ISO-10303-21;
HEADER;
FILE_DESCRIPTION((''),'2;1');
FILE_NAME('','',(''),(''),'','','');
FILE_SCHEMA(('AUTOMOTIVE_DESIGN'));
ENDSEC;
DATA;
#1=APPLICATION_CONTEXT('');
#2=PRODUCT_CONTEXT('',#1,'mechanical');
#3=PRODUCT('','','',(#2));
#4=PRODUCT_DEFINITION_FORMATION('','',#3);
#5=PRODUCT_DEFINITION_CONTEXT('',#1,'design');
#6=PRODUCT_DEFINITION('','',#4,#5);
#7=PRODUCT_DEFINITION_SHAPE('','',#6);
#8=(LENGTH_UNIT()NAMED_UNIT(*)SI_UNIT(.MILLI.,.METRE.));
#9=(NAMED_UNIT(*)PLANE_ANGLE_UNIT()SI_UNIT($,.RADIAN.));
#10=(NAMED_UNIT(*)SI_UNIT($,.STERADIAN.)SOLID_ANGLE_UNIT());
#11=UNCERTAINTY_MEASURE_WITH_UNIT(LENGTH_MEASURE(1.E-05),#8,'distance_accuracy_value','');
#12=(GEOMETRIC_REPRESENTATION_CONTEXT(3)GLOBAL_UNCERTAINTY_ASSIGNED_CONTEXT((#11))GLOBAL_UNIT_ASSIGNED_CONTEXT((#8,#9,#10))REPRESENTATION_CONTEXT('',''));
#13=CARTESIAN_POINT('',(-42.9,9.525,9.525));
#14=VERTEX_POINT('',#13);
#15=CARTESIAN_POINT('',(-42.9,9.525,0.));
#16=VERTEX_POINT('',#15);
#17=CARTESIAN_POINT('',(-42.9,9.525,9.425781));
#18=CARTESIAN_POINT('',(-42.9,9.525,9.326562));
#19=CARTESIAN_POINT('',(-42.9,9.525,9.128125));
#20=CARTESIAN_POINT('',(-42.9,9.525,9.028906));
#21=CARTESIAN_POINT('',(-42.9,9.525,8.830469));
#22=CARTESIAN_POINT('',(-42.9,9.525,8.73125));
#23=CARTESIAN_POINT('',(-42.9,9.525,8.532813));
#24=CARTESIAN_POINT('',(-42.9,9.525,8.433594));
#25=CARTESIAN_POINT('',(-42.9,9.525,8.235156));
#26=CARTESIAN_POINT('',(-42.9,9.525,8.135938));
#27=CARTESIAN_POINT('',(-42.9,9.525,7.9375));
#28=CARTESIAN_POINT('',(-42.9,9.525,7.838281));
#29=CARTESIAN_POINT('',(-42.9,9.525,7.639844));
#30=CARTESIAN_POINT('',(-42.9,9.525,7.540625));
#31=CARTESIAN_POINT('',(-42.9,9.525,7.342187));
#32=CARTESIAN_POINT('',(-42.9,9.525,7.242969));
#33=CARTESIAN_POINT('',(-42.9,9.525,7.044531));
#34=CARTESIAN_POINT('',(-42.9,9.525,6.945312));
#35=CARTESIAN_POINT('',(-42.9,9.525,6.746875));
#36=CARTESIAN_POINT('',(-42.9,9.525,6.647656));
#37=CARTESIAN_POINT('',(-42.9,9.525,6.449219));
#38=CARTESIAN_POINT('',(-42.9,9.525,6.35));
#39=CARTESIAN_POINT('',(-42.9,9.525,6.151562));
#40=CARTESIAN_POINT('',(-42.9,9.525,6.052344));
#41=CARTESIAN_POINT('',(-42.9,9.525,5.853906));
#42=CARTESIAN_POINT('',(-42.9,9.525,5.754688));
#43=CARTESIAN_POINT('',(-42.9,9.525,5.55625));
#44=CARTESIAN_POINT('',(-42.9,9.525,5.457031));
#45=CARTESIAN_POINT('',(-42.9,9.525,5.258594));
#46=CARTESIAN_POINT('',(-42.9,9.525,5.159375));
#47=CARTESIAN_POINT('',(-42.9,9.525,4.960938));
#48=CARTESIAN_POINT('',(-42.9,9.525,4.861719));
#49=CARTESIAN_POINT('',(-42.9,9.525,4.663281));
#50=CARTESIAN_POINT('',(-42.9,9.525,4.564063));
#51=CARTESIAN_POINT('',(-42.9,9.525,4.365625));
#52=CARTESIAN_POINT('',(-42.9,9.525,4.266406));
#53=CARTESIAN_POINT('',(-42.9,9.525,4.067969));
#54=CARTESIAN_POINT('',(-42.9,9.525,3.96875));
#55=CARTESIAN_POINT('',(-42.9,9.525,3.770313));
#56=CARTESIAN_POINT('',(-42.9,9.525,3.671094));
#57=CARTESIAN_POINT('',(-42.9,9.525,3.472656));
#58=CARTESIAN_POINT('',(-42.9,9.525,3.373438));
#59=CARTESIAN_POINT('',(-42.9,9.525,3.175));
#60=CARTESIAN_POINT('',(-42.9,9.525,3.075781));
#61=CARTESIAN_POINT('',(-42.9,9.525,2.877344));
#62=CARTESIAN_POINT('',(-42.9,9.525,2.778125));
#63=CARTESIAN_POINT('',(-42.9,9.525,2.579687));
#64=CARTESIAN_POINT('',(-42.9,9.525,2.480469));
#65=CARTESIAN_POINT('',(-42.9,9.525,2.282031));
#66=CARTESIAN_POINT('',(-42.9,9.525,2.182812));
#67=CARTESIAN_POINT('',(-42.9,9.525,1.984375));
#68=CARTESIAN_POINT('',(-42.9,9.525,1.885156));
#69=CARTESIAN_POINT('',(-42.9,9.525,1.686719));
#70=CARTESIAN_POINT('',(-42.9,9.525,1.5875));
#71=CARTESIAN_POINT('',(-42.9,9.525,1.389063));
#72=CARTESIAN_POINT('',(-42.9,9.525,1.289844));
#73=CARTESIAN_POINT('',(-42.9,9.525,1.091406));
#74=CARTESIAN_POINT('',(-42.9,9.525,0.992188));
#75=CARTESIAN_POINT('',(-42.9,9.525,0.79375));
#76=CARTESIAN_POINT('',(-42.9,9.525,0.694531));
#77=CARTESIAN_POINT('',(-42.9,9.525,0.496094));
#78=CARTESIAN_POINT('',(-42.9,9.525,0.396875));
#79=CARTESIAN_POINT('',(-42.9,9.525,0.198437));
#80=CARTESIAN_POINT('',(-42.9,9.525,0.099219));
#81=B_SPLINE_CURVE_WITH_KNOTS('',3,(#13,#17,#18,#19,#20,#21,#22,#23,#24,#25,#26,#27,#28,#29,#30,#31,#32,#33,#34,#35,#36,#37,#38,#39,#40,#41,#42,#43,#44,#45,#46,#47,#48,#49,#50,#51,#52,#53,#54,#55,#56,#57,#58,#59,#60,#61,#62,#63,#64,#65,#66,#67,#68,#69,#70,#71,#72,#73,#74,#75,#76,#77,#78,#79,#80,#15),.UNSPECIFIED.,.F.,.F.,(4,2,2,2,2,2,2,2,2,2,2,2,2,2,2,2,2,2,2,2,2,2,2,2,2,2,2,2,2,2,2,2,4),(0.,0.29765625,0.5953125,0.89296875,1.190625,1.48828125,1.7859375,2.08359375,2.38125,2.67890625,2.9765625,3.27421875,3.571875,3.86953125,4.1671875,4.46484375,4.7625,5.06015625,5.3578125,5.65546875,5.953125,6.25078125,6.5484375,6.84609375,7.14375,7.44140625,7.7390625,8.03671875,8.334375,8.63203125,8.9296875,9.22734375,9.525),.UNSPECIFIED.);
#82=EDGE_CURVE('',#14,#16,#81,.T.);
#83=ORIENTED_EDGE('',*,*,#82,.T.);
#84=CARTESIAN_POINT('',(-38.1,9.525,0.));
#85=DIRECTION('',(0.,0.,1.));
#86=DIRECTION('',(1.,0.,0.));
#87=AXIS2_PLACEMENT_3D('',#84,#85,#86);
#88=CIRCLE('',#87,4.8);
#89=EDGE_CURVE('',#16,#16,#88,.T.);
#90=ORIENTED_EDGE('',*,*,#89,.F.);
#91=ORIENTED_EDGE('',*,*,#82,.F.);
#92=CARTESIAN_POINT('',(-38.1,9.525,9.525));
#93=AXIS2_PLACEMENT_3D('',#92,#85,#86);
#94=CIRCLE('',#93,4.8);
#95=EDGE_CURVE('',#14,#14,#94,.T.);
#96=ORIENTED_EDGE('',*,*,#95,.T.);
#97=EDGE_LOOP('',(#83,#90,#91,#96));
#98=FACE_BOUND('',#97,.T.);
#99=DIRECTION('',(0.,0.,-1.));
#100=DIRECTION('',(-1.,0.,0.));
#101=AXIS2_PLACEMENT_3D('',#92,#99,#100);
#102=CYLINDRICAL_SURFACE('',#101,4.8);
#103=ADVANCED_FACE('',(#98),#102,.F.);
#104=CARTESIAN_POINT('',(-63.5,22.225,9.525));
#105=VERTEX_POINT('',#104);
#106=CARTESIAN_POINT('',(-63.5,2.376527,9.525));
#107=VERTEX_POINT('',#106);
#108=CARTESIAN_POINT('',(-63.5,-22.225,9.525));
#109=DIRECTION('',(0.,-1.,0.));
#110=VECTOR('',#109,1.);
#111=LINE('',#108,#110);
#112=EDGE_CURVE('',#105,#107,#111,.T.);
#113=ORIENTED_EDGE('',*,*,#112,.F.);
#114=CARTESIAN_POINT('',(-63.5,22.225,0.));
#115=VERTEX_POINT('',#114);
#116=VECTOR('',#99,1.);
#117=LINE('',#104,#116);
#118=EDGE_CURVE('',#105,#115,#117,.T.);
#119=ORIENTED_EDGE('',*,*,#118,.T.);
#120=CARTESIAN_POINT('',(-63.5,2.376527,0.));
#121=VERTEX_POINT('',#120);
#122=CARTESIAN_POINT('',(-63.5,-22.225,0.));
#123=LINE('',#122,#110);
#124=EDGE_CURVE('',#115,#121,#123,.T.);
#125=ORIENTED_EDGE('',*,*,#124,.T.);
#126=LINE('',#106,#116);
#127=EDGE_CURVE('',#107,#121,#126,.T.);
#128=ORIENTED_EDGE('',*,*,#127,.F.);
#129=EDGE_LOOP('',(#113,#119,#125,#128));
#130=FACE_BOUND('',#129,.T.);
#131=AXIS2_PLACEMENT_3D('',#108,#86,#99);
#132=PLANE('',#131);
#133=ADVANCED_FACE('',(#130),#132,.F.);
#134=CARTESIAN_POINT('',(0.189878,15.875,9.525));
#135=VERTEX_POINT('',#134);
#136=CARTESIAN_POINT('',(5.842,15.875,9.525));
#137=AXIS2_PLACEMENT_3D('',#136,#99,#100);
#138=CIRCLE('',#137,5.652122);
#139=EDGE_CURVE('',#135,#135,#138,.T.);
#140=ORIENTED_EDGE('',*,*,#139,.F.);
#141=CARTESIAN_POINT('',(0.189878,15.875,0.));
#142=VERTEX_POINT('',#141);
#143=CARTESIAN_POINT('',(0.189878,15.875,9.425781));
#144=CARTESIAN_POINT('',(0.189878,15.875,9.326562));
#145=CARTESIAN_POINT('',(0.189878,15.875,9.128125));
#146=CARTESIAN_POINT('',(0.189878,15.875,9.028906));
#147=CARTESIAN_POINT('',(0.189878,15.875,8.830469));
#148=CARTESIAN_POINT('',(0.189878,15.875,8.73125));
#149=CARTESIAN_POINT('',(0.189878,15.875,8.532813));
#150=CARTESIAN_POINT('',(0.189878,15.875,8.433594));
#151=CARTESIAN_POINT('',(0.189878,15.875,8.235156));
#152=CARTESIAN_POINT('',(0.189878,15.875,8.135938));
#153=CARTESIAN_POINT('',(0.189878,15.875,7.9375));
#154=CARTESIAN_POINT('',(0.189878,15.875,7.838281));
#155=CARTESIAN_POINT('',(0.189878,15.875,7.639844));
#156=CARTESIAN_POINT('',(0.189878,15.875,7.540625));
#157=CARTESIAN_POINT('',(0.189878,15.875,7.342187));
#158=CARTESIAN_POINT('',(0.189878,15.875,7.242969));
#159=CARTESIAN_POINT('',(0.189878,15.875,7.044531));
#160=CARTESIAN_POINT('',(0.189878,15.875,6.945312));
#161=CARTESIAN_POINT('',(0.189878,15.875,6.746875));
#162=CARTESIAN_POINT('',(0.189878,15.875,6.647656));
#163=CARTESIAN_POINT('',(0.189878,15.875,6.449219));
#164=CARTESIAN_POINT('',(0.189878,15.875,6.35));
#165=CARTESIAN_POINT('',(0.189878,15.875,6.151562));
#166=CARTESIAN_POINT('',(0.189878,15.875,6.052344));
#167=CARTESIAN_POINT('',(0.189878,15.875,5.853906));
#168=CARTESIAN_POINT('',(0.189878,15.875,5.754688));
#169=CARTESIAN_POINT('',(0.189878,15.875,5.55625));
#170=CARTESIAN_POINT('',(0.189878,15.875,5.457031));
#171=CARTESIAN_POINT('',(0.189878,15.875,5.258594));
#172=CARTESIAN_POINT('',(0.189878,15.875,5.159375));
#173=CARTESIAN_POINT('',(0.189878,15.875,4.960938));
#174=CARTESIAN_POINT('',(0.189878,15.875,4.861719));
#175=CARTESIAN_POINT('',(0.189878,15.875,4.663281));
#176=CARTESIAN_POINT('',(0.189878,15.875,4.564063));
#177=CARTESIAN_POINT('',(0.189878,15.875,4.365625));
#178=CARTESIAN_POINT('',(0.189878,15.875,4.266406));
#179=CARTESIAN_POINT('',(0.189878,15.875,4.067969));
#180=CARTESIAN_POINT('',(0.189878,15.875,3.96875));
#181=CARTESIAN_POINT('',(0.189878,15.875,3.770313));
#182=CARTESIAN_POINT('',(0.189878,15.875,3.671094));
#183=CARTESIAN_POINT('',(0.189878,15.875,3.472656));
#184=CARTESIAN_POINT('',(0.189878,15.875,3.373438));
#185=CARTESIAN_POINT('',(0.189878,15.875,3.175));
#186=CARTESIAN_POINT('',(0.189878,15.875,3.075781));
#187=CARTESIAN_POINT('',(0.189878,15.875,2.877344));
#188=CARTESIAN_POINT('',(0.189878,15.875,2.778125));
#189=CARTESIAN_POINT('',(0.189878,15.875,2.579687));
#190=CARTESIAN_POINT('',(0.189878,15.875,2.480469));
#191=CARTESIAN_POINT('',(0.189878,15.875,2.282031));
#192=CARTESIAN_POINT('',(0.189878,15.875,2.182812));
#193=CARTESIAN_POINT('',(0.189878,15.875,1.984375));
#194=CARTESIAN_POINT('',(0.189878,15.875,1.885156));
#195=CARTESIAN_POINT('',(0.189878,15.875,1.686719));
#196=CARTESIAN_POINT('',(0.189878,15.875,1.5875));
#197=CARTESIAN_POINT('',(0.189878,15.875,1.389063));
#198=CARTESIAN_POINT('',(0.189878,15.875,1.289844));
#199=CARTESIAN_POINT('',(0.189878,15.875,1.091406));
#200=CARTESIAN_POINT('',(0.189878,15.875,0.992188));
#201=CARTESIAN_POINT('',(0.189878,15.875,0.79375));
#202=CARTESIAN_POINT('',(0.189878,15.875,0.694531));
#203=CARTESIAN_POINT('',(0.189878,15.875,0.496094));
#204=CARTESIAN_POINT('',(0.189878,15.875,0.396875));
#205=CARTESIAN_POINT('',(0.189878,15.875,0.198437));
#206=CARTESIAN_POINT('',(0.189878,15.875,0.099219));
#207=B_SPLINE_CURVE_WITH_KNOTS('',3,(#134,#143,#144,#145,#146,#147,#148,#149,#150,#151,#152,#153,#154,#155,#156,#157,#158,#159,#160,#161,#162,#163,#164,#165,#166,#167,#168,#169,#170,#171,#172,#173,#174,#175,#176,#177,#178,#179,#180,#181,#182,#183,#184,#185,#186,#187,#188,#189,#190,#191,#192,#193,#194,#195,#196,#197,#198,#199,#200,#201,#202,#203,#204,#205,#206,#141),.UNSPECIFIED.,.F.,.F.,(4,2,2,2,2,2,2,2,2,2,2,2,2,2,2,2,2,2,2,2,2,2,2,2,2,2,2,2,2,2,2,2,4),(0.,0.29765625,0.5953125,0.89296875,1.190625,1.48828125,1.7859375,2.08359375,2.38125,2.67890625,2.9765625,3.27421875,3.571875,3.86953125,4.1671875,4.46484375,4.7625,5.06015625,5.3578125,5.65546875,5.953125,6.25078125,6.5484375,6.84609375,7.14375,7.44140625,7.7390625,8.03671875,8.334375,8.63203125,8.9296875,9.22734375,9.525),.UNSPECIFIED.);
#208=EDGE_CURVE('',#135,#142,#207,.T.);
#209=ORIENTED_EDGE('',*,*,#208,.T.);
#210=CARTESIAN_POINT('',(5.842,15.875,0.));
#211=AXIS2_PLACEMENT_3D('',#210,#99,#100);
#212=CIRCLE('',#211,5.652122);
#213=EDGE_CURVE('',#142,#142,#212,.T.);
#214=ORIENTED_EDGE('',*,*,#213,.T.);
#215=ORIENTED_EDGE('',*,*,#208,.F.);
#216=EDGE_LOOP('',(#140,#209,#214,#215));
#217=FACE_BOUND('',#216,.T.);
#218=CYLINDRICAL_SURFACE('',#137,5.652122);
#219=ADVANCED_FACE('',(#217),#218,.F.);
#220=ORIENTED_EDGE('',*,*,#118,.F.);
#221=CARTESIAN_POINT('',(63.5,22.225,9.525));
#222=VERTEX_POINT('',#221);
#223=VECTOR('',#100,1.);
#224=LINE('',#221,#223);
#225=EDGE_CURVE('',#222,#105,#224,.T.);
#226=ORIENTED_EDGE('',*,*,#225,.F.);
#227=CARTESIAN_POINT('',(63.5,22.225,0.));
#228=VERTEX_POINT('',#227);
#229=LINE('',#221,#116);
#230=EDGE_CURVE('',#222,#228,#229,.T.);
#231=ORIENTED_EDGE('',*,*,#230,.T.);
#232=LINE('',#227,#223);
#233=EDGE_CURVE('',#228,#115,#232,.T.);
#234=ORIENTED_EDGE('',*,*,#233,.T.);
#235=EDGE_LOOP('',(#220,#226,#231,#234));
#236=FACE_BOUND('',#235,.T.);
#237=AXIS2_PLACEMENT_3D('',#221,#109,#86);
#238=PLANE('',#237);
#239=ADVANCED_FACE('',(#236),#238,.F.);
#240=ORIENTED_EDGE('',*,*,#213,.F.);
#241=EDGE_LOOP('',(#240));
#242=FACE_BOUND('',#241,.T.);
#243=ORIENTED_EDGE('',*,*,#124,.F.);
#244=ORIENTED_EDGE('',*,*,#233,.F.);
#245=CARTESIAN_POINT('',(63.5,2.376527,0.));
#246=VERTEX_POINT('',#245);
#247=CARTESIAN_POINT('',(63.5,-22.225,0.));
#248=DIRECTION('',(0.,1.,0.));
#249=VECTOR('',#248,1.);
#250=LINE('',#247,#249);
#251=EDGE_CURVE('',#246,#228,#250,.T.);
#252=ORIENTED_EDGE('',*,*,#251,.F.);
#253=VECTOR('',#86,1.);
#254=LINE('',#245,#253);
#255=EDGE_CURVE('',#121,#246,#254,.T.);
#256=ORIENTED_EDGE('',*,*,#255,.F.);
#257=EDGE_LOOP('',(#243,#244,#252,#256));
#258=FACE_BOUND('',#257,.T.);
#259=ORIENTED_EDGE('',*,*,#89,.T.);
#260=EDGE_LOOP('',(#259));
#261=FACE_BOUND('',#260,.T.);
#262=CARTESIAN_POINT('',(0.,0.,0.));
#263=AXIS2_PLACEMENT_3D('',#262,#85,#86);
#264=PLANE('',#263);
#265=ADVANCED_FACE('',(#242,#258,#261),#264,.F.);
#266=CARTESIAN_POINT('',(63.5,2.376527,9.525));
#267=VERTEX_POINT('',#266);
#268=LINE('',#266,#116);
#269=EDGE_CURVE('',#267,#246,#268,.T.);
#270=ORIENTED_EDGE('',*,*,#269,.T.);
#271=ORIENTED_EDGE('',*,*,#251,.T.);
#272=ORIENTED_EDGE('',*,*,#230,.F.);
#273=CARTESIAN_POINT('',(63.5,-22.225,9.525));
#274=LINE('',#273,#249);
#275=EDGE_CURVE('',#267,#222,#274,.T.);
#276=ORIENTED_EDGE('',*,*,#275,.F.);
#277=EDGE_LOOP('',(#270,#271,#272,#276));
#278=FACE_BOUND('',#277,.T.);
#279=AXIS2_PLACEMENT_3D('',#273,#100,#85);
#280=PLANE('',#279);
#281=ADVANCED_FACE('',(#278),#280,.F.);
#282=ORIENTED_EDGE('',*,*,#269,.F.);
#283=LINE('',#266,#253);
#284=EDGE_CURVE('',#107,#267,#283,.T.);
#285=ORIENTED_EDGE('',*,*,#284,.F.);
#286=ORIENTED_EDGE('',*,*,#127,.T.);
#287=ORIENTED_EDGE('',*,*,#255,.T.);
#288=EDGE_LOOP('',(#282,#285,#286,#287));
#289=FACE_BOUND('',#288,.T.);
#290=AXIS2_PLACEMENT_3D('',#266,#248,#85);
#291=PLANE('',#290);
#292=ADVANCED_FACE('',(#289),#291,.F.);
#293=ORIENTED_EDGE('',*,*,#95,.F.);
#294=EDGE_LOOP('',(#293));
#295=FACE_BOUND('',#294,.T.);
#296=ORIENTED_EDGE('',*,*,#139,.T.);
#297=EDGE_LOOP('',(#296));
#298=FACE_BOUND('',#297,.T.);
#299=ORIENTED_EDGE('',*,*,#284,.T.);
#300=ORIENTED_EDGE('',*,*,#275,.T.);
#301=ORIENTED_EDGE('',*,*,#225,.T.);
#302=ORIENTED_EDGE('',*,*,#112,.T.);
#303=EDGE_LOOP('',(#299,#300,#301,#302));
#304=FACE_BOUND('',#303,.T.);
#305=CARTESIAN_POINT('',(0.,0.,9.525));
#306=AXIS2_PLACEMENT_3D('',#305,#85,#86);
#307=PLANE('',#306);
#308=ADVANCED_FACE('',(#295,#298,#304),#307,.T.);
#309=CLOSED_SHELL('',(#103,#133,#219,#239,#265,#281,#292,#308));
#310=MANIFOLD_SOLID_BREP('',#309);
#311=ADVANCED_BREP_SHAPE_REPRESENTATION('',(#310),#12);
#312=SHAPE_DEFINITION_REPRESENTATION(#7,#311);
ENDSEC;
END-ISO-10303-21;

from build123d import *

# Parameters (mm, degrees)
SKETCH1_W           = 127
SKETCH1_H           = 44.45
BOSS_EXTRUDE1_DEPTH = 9.525
SKETCH6_R           = 4.8
CUT_EXTRUDE1_DEPTH  = 68.947967225
SKETCH10_R          = 2.286
CUT_EXTRUDE2_DEPTH  = 3.81
SKETCH13_W          = 127
SKETCH13_H          = 49.203053771
CUT_EXTRUDE3_DEPTH  = 68.947967225
SKETCH15_R          = 5.652121823
CUT_EXTRUDE4_DEPTH  = 68.947967225


with BuildPart() as part:
    # Sketch1 → Boss-Extrude1 (new body)
    with BuildSketch(Plane.XY):
        Rectangle(SKETCH1_W, SKETCH1_H)
    extrude(amount=BOSS_EXTRUDE1_DEPTH)

    # Sketch6 → Cut-Extrude1 (cut, through all)
    with BuildSketch(Plane.XY):
        with Locations(Location((-38.1, 9.525, 0), (0, 0, 180))):
            Circle(SKETCH6_R)
    extrude(amount=CUT_EXTRUDE1_DEPTH, mode=Mode.SUBTRACT)

    # Sketch10 → Cut-Extrude2 (cut)
    with BuildSketch(Plane.XY.offset(9.525)):
        with Locations((-46.11545283, -16.764)):
            Circle(SKETCH10_R)
    extrude(amount=-CUT_EXTRUDE2_DEPTH, mode=Mode.SUBTRACT)

    # Sketch13 → Cut-Extrude3 (cut, through all)
    with BuildSketch(Plane(origin=(0, 0, 0), x_dir=(-1, 0, 0), z_dir=(0, 0, -1))):
        with Locations((0, -22.225000001)):
            Rectangle(SKETCH13_W, SKETCH13_H)
    extrude(amount=-CUT_EXTRUDE3_DEPTH, mode=Mode.SUBTRACT)

    # Sketch15 → Cut-Extrude4 (cut, through all)
    with BuildSketch(Plane(origin=(0, 0, 0), x_dir=(-1, 0, 0), z_dir=(0, 0, -1))):
        with Locations((-5.842, 15.875)):
            Circle(SKETCH15_R)
    extrude(amount=-CUT_EXTRUDE4_DEPTH, mode=Mode.SUBTRACT)


solid = part.part
